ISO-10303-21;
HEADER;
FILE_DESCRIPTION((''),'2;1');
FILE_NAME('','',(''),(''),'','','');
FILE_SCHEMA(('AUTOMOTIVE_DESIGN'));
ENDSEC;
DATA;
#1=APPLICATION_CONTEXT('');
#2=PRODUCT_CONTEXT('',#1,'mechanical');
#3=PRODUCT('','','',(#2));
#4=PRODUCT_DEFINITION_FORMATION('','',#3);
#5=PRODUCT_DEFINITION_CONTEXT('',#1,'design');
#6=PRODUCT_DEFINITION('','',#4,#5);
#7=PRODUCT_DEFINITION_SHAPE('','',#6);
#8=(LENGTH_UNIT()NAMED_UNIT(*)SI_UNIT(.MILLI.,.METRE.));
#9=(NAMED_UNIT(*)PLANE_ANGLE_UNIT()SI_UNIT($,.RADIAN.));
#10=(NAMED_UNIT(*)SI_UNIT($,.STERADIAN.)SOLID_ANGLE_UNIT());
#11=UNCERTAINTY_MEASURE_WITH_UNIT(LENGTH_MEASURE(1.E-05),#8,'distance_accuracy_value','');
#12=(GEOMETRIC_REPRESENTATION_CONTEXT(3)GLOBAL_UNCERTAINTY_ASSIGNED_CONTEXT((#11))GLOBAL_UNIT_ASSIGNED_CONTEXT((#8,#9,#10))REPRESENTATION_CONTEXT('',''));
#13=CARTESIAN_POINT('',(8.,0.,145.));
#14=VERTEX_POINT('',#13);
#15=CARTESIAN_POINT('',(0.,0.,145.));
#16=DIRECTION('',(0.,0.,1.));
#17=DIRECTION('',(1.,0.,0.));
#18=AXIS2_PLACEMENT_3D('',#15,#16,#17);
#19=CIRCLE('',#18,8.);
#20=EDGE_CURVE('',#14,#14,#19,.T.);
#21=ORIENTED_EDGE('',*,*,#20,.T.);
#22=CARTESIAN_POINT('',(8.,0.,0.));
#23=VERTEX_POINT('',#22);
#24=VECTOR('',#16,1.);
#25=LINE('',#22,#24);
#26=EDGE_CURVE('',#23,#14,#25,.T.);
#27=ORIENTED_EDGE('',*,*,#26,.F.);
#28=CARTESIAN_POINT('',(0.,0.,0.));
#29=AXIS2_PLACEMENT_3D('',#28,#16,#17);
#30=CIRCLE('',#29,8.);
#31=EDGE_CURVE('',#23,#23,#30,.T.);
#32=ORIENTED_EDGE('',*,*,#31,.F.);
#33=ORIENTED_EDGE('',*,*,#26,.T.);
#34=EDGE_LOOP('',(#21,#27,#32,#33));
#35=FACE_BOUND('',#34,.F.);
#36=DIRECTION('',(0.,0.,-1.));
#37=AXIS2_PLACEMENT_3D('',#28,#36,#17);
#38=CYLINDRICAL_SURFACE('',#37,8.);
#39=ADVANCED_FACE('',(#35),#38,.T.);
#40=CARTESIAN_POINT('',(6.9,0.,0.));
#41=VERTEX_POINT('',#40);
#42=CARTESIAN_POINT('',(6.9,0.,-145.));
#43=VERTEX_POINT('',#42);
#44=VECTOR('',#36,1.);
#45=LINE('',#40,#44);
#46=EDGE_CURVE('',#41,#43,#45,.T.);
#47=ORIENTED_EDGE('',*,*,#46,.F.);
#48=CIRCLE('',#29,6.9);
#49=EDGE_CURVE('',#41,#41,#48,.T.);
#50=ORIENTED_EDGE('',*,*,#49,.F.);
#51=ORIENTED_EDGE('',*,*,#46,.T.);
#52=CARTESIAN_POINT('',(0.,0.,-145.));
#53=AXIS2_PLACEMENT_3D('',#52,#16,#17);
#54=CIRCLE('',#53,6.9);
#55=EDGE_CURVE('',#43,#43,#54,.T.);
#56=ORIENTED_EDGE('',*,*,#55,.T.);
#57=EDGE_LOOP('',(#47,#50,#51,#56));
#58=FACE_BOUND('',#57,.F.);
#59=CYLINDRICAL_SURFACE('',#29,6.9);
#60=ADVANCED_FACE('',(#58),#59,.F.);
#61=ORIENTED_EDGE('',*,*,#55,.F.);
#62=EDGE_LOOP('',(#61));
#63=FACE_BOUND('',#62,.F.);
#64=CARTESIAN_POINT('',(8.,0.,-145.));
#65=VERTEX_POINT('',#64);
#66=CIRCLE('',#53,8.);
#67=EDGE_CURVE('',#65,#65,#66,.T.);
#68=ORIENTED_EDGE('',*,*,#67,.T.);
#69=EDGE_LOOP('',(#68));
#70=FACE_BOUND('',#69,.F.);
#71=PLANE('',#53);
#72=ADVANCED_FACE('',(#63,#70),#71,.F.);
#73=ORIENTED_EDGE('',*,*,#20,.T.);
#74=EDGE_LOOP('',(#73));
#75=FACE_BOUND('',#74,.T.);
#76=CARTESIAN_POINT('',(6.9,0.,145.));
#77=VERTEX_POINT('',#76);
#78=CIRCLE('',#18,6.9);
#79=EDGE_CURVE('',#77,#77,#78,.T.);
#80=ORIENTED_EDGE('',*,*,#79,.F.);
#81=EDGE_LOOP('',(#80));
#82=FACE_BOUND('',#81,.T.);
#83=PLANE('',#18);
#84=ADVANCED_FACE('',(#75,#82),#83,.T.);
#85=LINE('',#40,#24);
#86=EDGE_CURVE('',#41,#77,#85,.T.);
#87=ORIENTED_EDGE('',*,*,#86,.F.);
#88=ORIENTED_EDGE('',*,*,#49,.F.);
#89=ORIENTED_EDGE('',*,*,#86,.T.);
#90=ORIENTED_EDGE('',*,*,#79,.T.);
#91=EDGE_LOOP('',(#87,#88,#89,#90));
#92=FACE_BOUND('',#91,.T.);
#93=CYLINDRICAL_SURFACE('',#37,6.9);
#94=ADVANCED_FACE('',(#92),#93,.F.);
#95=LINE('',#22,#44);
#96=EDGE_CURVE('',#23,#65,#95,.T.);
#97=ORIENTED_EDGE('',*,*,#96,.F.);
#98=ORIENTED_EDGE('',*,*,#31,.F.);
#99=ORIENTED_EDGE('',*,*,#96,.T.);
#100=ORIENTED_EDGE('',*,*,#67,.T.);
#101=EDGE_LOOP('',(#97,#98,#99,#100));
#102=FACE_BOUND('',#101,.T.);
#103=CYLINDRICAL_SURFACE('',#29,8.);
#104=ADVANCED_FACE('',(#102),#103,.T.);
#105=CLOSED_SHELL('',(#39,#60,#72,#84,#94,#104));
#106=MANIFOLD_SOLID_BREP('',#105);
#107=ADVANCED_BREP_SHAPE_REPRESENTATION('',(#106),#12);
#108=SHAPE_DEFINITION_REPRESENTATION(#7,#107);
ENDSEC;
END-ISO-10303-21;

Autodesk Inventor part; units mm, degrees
ref_plane "YZ Plane" through (0, 0, 0) normal (1, 0, 0) x (0, 1, 0)
ref_plane "XZ Plane" through (0, 0, 0) normal (0, 1, 0) x (-1, 0, 0)
ref_plane "XY Plane" through (0, 0, 0) normal (0, 0, 1) x (1, 0, 0)
sketch "スケッチ1" plane through (0, 0, 0) normal (0, 0, 1) x (1, 0, 0)
  circle A0 centre (0, 0) radius 8
  circle A1 centre (0, 0) radius 6.9
  dimension "d0" = 16
  dimension "d1" = 13.8
extrude "押し出し1" add sketch "スケッチ1" along normal mid plane 290
properties part number "pipe_16mm"
